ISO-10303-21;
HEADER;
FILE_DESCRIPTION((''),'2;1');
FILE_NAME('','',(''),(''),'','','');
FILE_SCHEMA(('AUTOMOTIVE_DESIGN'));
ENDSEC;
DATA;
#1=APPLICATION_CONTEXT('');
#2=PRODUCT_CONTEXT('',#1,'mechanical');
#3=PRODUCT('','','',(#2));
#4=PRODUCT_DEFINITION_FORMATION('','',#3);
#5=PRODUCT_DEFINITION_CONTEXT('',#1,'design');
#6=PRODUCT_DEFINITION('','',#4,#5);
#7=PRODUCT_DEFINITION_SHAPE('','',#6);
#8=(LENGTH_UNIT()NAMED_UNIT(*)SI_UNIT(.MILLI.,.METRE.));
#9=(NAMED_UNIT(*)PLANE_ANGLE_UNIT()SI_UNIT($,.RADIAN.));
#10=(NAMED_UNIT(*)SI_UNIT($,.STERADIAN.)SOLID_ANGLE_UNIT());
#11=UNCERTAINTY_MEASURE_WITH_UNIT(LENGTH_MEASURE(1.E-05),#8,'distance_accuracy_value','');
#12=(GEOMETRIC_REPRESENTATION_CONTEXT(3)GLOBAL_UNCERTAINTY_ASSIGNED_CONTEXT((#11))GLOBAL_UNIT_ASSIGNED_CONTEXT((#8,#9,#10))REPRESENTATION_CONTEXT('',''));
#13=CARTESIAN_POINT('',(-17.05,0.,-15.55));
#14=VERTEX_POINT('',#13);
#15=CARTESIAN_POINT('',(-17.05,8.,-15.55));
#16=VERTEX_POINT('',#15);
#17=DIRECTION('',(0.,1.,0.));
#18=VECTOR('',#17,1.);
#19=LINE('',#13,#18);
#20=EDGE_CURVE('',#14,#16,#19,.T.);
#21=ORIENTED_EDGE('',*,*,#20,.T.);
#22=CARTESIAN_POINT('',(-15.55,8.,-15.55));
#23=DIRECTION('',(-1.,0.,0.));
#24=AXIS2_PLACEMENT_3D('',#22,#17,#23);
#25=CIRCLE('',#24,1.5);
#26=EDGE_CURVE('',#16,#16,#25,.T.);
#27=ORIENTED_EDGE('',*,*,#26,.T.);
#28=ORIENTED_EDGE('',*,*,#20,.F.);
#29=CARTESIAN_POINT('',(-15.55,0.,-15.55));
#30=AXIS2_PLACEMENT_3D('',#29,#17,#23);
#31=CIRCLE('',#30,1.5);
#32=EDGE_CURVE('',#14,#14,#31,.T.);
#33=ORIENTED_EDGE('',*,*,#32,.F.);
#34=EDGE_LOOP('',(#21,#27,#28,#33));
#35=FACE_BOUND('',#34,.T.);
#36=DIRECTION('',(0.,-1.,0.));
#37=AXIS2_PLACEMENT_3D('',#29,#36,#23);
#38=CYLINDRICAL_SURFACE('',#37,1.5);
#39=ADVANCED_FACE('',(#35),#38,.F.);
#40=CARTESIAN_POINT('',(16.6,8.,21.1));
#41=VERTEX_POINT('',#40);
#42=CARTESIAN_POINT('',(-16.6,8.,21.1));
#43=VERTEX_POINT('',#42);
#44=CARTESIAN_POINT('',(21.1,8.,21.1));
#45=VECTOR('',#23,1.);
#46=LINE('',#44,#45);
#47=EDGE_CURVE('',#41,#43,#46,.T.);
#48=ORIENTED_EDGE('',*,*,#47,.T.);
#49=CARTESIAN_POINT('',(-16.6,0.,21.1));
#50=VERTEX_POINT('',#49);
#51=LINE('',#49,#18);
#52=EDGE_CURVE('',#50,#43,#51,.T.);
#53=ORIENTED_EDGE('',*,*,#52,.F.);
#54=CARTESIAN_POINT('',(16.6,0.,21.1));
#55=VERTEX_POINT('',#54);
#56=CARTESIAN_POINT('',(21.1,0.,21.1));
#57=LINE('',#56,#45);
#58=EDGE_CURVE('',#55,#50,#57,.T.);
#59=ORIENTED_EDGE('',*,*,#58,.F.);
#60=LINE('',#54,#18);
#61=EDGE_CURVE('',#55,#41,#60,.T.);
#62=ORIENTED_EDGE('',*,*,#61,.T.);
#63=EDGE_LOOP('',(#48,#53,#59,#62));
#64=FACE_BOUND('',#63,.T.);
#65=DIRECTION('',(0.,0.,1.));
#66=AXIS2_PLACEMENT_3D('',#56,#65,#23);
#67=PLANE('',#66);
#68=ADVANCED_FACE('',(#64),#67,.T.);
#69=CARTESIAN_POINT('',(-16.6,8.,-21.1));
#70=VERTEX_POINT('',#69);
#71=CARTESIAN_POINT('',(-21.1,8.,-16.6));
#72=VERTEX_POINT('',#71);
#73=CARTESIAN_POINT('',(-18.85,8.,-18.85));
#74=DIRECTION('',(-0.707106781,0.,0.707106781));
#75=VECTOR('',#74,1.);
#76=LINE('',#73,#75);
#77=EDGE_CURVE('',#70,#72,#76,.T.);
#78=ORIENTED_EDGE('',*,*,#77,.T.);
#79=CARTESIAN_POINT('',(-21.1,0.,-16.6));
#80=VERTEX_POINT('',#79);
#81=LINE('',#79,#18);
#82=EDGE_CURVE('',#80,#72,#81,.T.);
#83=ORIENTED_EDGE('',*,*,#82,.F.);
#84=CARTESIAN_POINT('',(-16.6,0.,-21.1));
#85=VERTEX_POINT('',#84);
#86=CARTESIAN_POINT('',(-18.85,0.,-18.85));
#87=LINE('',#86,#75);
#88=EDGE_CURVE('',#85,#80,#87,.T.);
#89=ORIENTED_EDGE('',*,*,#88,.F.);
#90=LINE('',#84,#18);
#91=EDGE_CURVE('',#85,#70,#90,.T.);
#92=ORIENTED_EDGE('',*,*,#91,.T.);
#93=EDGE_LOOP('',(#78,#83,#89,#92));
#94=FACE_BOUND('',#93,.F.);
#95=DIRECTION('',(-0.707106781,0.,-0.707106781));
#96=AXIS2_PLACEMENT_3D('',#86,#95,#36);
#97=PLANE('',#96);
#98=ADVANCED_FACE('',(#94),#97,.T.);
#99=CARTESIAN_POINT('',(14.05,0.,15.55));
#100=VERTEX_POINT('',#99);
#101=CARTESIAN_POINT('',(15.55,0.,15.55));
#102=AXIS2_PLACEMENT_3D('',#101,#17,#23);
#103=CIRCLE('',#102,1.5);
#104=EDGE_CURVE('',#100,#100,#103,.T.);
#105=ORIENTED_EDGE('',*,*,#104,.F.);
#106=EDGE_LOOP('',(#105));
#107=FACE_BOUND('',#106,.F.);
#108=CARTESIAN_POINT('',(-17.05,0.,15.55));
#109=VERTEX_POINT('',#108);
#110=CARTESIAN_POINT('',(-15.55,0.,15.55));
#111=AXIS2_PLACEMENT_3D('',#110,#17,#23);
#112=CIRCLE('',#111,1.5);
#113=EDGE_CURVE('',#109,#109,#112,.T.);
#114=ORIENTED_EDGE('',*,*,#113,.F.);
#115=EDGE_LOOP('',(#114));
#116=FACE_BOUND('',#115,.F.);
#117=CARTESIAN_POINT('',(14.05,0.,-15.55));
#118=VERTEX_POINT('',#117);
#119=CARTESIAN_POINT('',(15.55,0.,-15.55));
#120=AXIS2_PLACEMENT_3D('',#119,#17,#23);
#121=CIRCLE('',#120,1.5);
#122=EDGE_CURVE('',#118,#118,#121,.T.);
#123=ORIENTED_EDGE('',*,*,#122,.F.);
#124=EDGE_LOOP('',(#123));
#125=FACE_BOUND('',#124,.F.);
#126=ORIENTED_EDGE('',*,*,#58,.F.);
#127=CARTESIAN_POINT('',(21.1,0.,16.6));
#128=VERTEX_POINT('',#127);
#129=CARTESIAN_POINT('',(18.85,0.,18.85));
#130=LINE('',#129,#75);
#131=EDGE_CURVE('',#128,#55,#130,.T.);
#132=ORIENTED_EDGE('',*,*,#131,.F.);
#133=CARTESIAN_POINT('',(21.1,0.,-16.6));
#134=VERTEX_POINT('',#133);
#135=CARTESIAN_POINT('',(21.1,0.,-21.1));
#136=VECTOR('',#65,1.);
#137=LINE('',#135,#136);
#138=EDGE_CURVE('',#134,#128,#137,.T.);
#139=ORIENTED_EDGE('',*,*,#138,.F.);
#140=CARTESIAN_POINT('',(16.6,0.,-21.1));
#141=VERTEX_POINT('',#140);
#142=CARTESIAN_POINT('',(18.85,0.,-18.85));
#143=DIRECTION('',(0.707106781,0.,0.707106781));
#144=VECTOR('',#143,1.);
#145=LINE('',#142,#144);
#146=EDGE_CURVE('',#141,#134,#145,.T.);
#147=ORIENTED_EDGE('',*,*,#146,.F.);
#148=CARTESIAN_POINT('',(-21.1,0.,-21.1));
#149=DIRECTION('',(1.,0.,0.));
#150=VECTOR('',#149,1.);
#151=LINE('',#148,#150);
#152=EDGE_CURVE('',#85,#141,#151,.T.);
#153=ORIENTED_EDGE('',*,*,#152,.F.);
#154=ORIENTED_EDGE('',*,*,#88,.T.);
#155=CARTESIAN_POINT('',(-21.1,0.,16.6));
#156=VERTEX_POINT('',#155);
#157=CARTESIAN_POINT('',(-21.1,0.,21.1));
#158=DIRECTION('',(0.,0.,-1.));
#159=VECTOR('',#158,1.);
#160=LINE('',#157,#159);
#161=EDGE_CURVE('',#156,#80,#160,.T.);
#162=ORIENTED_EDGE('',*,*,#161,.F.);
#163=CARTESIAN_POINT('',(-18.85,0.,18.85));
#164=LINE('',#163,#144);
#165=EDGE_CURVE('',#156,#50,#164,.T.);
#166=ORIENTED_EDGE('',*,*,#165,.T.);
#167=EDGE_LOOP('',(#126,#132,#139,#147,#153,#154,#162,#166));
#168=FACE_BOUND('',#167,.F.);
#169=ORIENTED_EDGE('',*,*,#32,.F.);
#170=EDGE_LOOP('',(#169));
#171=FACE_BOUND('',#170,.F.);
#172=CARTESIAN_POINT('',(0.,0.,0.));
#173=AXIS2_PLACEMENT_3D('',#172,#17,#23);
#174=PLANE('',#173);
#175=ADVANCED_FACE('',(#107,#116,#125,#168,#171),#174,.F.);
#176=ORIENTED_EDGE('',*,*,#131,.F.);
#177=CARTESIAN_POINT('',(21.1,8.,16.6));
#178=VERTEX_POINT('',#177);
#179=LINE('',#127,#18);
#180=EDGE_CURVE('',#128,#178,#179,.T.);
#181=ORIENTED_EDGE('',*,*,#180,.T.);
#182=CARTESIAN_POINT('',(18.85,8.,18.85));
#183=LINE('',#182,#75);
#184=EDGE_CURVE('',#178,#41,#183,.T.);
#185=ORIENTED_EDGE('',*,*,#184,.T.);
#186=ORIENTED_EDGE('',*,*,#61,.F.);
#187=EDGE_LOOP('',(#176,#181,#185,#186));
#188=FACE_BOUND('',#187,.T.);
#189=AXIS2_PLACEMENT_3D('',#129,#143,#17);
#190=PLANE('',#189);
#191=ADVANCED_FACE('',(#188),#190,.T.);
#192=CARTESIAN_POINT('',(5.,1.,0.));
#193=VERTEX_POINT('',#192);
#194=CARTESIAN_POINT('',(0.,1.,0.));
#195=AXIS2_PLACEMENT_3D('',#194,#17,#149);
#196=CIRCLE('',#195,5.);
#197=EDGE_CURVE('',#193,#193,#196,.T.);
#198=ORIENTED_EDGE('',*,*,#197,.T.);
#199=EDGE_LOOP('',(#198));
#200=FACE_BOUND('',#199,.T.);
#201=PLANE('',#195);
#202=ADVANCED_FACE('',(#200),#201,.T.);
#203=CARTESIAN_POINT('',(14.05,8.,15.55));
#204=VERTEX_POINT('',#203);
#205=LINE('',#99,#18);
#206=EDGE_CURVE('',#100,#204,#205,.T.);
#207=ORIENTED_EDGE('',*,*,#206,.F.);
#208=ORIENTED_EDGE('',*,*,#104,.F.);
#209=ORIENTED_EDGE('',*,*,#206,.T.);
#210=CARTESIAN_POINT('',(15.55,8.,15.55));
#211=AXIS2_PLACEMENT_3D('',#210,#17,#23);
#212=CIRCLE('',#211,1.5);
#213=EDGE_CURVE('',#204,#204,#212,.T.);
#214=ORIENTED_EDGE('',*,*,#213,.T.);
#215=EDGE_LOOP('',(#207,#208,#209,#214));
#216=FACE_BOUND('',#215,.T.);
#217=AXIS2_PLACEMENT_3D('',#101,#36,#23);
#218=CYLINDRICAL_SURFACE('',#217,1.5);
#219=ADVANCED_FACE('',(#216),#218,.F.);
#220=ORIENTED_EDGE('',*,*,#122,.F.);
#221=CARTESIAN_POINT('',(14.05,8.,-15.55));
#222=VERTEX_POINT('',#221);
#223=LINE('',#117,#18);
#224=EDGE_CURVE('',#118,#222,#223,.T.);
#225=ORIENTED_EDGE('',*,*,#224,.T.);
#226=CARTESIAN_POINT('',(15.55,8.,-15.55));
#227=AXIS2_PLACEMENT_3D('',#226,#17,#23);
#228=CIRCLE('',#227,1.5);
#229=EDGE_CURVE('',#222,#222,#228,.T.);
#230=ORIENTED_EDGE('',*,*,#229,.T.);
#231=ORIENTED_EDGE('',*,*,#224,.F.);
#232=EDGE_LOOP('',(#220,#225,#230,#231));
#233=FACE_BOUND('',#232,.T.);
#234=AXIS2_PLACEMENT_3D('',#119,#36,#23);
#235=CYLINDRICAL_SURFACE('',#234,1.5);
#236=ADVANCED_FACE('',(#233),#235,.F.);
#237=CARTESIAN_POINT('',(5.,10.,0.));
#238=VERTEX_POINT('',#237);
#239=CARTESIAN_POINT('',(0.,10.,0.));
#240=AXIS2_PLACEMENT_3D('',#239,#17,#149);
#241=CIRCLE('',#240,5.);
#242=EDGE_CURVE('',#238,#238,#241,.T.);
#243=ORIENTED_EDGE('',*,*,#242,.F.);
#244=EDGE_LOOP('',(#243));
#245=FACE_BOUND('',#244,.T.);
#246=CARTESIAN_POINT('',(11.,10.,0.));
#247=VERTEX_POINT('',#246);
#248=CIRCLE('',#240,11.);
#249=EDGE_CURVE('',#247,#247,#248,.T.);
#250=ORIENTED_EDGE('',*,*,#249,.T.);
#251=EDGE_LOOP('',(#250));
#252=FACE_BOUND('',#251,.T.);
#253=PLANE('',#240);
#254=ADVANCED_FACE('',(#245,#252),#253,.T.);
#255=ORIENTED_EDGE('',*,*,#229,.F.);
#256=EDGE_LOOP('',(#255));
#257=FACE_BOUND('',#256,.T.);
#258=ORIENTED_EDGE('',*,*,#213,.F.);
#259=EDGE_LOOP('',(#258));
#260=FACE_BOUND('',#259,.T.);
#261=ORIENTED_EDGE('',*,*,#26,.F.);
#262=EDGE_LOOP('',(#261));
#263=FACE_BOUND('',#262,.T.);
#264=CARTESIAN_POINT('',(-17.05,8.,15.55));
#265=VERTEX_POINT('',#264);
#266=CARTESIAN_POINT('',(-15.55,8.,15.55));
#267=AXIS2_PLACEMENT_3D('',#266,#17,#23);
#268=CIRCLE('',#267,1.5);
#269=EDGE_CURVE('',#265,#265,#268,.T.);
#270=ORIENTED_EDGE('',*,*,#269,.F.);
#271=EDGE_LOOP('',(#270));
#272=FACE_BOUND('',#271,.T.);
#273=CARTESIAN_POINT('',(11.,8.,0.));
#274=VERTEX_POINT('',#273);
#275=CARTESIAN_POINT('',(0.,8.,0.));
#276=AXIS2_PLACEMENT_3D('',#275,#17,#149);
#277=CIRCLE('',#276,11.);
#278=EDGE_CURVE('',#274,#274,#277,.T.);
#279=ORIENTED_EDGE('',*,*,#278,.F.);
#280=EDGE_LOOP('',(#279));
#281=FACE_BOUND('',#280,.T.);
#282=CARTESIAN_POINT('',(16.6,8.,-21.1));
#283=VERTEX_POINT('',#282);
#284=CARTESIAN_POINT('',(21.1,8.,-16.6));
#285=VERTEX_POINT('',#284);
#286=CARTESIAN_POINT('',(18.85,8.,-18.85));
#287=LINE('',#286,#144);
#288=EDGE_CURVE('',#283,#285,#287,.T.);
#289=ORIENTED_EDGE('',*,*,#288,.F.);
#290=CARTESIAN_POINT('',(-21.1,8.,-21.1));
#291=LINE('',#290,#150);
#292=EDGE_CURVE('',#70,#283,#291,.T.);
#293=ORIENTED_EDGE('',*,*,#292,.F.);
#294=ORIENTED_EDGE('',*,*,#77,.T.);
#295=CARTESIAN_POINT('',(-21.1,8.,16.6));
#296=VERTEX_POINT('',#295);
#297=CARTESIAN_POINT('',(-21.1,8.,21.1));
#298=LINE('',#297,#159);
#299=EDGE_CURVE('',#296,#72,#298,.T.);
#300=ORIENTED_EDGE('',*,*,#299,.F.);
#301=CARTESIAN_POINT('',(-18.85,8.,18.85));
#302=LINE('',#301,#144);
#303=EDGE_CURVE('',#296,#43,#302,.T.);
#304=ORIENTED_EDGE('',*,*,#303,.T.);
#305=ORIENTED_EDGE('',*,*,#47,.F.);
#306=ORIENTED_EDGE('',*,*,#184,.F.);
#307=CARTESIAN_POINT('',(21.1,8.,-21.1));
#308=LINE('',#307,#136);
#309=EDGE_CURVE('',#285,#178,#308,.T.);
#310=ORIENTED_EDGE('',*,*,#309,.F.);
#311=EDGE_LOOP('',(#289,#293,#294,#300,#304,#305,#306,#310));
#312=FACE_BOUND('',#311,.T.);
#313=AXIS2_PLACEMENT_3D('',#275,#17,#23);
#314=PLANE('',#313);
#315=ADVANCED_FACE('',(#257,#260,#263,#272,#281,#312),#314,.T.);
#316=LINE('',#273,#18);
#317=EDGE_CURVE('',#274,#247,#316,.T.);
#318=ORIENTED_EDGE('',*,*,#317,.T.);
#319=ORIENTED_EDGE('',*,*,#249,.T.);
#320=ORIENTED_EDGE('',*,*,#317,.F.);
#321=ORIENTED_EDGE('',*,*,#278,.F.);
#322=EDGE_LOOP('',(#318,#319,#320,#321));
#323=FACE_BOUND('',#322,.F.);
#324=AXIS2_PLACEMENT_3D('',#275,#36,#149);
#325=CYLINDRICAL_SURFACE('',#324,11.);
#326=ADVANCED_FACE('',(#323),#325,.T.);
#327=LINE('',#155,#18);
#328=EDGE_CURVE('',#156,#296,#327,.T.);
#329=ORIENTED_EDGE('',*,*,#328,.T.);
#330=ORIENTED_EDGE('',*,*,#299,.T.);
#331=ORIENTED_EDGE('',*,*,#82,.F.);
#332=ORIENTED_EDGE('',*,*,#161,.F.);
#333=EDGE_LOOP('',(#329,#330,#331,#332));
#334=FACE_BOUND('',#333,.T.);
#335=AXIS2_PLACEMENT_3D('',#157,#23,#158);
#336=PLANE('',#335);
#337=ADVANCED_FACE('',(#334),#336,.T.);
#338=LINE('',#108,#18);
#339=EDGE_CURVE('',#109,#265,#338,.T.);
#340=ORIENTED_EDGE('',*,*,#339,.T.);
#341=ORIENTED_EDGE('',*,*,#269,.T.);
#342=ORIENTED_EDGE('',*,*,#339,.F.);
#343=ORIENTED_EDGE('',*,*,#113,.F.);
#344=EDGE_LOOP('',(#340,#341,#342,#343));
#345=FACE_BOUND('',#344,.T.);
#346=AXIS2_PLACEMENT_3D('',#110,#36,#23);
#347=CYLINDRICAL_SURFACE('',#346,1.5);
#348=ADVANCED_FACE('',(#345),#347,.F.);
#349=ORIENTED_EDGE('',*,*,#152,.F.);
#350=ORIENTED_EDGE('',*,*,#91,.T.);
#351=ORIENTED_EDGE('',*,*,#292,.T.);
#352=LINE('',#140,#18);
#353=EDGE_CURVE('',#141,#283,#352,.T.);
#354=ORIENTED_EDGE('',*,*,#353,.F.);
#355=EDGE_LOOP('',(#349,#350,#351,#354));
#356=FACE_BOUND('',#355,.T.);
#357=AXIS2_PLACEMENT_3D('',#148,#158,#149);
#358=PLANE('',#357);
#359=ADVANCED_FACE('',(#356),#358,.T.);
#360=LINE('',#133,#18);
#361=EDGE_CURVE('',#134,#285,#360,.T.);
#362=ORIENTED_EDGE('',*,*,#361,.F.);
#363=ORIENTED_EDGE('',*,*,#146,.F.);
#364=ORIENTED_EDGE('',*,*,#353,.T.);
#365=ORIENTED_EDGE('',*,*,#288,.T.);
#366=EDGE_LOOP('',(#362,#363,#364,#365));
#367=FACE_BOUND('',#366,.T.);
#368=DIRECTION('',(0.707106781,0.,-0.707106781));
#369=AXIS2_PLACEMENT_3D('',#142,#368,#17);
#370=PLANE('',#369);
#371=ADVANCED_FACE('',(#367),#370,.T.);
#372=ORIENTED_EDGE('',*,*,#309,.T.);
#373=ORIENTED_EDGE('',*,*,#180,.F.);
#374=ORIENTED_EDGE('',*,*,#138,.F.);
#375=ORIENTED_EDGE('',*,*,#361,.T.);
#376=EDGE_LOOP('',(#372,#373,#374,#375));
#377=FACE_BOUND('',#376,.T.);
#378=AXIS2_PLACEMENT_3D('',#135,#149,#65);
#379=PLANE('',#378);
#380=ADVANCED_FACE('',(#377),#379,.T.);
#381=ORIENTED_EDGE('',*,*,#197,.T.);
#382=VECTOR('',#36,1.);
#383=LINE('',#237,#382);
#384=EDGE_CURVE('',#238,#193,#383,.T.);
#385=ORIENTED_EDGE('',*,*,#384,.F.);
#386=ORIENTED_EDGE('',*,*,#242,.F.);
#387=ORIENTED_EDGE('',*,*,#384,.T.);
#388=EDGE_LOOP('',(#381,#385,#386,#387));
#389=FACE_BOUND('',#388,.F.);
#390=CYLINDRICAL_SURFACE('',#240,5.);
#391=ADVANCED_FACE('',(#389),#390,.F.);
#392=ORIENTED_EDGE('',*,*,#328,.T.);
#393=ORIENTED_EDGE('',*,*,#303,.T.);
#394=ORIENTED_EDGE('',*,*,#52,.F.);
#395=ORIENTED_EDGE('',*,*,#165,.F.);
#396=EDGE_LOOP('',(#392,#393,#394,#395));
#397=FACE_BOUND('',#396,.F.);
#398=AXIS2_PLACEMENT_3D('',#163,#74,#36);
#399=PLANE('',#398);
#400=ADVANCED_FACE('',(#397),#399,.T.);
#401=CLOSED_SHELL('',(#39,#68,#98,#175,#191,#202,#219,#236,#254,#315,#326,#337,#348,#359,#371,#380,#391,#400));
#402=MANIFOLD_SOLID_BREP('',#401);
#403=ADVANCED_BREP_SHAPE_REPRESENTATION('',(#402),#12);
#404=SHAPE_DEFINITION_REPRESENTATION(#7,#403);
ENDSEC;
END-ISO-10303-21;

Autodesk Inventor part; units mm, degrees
ref_plane "YZ Plane" through (0, 0, 0) normal (1, 0, 0) x (0, 1, 0)
ref_plane "XZ Plane" through (0, 0, 0) normal (0, 1, 0) x (-1, 0, 0)
ref_plane "XY Plane" through (0, 0, 0) normal (0, 0, 1) x (1, 0, 0)
sketch "Эскиз1" plane through (0, 0, 0) normal (0, 1, 0) x (-1, 0, 0)
  line L0 (21.1, -21.1) -> (-21.1, -21.1)
  line L1 (-21.1, -21.1) -> (-21.1, 21.1)
  line L2 (-21.1, 21.1) -> (21.1, 21.1)
  line L3 (21.1, 21.1) -> (21.1, -21.1)
  line L4 (21.1, -21.1) -> (-21.1, 21.1) construction
  line L5 (-21.1, -21.1) -> (21.1, 21.1) construction
  line L6 (-15.55, 15.55) -> (15.55, 15.55) construction
  line L7 (15.55, 15.55) -> (15.55, -15.55) construction
  line L8 (15.55, -15.55) -> (-15.55, -15.55) construction
  line L9 (-15.55, -15.55) -> (-15.55, 15.55) construction
  line L10 (-15.55, 15.55) -> (15.55, -15.55) construction
  line L11 (15.55, 15.55) -> (-15.55, -15.55) construction
  circle A0 centre (-15.55, -15.55) radius 1.5
  circle A1 centre (15.55, -15.55) radius 1.5
  circle A2 centre (15.55, 15.55) radius 1.5
  circle A3 centre (-15.55, 15.55) radius 1.5
  point P0 (0, 0)
  dimension "d0" = 42.2
  dimension "d1" = 42.2
  dimension "d2" = 31.1
  dimension "d3" = 31.1
  dimension "d4" = 3
  dimension "d5" = 3
  dimension "d6" = 3
  dimension "d7" = 3
extrude "Выдавливание1" add sketch "Эскиз1" along normal blind 8
sketch "Эскиз2" plane through (0, 8, 0) normal (0, 1, 0) x (1, 0, 0)
  circle A0 centre (0, 0) radius 11
  dimension "d10" = 22
extrude "Выдавливание2" add sketch "Эскиз2" along normal blind 2
chamfer "Фаска1" distance 4.5 angle 45 4 edges at (21.1, 4, -21.1) (21.1, 4, 21.1) (-21.1, 4, 21.1) (-21.1, 4, -21.1)
sketch "Эскиз3" plane through (0, 10, 0) normal (0, 1, 0) x (1, 0, 0)
  circle A0 centre (0, 0) radius 11 projected
  circle A1 centre (0, 0) radius 5
  dimension "d16" = 10
extrude "Выдавливание3" cut sketch "Эскиз3" against normal blind 9 contours A1
thread "Резьба1" size "M3x0.5" class "6H" standard "ANSI Metric M Profile" full length
thread "Резьба2" size "M3x0.5" class "6H" standard "ANSI Metric M Profile" full length
thread "Резьба3" size "M3x0.5" class "6H" standard "ANSI Metric M Profile" full length
thread "Резьба4" size "M3x0.5" class "6H" standard "ANSI Metric M Profile" full length
properties part number "Top"
